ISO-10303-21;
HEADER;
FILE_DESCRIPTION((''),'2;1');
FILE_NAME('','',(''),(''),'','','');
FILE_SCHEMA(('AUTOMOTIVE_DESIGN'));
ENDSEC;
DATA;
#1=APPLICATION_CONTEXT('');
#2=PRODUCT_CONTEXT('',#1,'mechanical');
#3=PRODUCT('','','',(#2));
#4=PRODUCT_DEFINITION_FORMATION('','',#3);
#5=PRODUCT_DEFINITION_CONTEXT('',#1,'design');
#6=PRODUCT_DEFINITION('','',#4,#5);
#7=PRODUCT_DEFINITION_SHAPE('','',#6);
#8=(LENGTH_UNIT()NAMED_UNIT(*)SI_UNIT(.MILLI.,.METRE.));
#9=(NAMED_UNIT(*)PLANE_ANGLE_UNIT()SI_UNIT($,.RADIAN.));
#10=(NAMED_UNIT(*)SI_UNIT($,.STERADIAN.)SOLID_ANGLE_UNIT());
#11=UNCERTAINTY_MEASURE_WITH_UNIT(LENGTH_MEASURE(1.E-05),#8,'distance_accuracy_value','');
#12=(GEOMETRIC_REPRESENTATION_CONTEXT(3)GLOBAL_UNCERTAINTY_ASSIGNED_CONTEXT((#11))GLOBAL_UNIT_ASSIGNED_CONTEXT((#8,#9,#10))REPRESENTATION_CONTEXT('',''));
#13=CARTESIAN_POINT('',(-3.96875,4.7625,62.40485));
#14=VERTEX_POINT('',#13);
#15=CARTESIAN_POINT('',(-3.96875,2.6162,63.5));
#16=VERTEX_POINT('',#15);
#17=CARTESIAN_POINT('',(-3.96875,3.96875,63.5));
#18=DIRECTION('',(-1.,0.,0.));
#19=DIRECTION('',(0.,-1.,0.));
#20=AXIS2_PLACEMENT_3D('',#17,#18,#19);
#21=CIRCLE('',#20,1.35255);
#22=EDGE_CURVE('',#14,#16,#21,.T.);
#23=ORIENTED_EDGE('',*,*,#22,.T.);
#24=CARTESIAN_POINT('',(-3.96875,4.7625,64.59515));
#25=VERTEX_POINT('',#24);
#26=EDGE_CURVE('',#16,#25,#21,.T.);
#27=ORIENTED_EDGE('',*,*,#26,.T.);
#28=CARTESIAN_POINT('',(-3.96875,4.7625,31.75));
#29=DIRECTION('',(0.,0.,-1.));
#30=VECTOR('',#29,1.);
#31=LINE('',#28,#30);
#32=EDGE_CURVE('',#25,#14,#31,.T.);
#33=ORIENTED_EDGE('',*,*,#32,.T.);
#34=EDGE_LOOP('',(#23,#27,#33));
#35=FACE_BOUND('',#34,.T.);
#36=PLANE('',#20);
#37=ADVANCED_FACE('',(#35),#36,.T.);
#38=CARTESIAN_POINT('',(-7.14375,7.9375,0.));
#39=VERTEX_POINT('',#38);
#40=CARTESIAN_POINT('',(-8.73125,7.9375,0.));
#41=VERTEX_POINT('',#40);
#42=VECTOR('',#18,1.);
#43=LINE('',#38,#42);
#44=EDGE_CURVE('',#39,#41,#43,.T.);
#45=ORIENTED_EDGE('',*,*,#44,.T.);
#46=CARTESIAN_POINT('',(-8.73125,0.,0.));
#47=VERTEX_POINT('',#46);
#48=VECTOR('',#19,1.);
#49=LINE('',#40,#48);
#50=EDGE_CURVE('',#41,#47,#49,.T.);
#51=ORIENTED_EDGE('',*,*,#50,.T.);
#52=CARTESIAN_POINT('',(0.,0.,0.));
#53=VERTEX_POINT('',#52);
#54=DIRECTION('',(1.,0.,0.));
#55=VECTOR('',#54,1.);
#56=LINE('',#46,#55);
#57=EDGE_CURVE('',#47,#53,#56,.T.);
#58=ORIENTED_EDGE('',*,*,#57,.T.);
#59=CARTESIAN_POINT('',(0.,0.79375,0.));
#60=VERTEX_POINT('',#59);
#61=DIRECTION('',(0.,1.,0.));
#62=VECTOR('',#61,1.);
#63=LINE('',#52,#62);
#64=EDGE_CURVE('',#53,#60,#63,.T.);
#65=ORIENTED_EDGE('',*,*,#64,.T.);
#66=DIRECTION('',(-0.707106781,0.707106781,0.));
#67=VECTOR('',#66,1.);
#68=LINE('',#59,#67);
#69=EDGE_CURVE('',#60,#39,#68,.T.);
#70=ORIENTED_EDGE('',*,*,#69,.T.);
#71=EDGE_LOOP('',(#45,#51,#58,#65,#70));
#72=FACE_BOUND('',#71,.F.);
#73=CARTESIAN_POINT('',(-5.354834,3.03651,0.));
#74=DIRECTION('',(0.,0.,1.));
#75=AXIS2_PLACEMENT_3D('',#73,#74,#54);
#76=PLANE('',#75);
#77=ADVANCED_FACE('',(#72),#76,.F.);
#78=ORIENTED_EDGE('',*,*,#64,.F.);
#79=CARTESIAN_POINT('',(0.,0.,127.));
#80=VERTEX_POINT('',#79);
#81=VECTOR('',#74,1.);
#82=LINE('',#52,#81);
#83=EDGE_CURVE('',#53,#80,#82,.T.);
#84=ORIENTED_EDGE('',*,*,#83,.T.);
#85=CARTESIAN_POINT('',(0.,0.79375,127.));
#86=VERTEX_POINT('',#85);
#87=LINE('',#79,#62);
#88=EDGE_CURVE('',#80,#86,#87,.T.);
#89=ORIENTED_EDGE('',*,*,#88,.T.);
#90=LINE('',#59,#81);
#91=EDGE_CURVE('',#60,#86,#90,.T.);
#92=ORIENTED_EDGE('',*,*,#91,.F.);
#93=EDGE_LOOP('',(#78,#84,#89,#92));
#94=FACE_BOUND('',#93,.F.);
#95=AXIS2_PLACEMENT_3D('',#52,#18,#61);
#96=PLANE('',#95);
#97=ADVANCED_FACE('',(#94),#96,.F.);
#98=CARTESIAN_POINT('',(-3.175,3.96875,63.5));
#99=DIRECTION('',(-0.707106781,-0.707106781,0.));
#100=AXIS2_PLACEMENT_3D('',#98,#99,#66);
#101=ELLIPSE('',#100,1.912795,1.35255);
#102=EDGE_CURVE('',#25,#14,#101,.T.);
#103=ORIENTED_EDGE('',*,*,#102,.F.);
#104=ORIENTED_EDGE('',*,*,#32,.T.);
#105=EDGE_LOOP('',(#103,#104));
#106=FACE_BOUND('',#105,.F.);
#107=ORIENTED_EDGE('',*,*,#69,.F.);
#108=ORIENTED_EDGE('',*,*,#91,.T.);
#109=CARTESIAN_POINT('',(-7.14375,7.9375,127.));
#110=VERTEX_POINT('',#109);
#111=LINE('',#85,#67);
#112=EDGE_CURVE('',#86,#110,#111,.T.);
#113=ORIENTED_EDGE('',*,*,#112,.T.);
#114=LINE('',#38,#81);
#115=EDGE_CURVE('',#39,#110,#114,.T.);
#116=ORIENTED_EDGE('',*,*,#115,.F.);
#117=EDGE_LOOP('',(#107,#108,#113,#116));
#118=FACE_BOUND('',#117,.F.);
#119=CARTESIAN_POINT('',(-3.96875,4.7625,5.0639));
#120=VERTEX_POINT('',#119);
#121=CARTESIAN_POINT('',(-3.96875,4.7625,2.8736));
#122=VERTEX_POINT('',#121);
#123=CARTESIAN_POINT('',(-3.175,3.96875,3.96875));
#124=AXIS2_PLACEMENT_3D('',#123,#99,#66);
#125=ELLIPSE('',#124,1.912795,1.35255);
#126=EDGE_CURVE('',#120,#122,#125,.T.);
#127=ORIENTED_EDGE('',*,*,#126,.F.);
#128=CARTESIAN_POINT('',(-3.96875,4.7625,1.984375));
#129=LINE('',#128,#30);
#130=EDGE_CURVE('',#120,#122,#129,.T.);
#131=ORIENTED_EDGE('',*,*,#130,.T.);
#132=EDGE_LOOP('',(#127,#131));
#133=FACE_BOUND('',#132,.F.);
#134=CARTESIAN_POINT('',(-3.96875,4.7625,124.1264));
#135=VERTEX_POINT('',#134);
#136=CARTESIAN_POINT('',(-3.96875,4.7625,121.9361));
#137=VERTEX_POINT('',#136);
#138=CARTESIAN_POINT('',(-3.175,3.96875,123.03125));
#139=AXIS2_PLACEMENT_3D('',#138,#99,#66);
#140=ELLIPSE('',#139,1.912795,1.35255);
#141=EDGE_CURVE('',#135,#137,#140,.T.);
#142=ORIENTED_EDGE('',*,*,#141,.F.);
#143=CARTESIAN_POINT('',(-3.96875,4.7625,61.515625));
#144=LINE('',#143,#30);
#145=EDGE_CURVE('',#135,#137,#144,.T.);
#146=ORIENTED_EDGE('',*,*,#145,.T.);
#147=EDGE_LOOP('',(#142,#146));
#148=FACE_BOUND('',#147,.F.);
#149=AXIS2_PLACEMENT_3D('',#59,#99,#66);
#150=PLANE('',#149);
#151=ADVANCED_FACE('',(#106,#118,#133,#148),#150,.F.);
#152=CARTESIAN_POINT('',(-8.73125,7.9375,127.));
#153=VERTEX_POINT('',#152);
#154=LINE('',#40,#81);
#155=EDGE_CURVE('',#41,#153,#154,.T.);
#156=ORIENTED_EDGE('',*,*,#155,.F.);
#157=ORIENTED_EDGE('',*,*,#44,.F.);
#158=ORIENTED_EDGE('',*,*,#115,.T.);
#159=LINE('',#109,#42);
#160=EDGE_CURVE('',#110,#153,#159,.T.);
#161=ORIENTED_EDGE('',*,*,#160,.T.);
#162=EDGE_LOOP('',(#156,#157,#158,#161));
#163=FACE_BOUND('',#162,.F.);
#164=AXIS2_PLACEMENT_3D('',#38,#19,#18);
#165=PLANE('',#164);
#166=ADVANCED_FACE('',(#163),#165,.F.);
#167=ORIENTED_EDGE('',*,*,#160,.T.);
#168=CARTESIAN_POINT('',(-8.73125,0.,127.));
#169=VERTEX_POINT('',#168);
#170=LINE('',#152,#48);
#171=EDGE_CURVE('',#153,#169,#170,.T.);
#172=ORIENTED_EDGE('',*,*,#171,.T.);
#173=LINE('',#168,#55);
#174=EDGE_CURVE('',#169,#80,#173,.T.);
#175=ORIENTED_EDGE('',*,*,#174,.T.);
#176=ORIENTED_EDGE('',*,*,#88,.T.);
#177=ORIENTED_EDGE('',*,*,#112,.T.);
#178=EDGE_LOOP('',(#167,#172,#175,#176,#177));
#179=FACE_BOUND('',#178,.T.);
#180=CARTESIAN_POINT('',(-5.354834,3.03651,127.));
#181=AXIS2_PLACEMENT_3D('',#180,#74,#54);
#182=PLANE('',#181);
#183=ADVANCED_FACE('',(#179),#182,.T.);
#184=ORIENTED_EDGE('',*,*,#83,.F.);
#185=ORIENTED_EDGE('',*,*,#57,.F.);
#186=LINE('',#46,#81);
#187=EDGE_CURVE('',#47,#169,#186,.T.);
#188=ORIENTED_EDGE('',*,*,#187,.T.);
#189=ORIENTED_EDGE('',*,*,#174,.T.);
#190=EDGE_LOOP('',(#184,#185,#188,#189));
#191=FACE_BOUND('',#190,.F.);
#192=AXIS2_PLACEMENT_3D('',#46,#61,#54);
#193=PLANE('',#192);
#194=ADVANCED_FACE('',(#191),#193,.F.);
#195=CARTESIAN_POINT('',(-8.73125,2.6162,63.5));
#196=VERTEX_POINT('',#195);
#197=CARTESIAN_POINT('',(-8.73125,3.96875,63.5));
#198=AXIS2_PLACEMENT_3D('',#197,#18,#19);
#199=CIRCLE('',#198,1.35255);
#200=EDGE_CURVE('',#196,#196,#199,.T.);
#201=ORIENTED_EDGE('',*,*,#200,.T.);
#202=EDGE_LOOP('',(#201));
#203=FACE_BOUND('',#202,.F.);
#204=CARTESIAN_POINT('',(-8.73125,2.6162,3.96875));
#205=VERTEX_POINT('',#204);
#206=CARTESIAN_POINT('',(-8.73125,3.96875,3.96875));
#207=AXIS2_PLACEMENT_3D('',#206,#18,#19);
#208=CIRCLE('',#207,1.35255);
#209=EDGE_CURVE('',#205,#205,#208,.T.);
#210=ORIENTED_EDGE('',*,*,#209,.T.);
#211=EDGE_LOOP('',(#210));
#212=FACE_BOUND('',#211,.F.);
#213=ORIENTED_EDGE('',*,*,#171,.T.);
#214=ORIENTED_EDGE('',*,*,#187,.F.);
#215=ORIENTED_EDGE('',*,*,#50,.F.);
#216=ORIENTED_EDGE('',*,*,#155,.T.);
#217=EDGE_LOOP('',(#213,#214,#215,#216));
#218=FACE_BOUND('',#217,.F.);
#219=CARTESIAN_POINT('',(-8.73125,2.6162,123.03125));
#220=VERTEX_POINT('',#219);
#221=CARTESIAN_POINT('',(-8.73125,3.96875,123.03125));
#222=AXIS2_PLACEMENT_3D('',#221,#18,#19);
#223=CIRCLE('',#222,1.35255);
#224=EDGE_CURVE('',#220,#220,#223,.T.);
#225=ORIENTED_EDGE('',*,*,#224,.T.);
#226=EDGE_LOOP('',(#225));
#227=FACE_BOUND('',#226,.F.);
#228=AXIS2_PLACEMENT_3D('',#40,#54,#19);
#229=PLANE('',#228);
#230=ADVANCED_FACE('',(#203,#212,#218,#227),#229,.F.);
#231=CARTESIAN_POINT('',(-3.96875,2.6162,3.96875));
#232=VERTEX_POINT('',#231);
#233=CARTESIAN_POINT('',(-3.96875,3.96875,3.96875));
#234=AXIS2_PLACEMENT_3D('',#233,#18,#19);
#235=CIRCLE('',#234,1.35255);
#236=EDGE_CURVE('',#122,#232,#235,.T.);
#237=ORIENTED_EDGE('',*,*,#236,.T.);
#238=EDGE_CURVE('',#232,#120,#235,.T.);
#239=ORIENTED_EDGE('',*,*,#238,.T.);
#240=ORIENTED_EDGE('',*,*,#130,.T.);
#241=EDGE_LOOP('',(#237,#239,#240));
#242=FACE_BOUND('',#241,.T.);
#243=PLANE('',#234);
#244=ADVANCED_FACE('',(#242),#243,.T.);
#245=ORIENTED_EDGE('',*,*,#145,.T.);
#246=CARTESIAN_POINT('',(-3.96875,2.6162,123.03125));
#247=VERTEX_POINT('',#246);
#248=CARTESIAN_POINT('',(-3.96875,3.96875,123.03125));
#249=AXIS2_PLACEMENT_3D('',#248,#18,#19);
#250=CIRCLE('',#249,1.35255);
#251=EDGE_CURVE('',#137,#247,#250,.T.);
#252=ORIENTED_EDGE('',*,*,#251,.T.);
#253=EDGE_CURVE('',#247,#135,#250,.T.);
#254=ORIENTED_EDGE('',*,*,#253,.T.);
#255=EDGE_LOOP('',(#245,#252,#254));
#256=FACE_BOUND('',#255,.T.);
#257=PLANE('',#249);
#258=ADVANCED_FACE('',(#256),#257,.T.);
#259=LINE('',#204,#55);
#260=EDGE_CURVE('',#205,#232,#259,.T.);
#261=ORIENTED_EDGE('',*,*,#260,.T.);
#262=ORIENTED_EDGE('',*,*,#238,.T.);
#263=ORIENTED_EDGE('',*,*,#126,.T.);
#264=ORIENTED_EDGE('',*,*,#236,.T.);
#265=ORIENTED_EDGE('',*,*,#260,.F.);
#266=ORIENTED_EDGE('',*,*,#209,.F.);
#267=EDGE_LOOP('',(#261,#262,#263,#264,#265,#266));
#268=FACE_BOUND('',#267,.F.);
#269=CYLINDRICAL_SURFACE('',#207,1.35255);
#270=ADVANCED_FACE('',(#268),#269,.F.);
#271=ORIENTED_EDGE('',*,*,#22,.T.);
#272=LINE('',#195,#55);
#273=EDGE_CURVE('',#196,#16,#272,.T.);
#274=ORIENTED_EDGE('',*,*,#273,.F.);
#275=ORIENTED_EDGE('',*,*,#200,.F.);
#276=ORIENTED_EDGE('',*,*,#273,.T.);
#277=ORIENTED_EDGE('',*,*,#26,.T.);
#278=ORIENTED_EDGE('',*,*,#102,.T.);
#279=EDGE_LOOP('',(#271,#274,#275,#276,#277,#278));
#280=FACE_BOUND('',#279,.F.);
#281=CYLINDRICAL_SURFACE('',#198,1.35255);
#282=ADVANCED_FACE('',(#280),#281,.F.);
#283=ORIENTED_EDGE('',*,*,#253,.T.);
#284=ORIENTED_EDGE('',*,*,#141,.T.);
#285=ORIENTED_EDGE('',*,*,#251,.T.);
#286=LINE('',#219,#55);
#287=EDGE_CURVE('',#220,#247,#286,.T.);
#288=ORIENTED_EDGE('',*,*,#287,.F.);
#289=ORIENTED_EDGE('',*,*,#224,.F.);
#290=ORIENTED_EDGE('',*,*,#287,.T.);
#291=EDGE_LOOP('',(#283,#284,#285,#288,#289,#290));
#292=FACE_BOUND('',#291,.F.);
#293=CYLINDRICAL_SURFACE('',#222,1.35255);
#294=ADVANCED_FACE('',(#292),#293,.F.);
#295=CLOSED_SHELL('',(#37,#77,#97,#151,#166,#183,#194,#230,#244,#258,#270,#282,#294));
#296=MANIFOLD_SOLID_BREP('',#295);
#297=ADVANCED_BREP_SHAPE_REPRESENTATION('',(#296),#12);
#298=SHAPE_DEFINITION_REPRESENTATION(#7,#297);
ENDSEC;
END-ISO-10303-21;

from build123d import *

# Parameters (mm, degrees)
F1_DEPTH = 127
F2_R     = 1.35255
F3_DEPTH = 4.7625


with BuildPart() as f1:
    # F0 (on Top) → F1 (new body)
    with BuildSketch(Plane.XY):
        Polygon((-8.73125, 0), (0, 0), (0, 0.79375), (-7.14375, 7.9375), (-8.73125, 7.9375), align=None)
    extrude(amount=F1_DEPTH)

    # F2 (on face) → F3 (cut)
    with BuildSketch(Plane(origin=(-8.73125, 0, 0), x_dir=(0, -1, 0), z_dir=(-1, 0, 0))):
        with Locations((-3.96875, 123.03125)):
            Circle(F2_R)
        with Locations((-3.96875, 63.5)):
            Circle(F2_R)
        with Locations((-3.96875, 3.96875)):
            Circle(F2_R)
    extrude(amount=-F3_DEPTH, mode=Mode.SUBTRACT)


solid = f1.part
